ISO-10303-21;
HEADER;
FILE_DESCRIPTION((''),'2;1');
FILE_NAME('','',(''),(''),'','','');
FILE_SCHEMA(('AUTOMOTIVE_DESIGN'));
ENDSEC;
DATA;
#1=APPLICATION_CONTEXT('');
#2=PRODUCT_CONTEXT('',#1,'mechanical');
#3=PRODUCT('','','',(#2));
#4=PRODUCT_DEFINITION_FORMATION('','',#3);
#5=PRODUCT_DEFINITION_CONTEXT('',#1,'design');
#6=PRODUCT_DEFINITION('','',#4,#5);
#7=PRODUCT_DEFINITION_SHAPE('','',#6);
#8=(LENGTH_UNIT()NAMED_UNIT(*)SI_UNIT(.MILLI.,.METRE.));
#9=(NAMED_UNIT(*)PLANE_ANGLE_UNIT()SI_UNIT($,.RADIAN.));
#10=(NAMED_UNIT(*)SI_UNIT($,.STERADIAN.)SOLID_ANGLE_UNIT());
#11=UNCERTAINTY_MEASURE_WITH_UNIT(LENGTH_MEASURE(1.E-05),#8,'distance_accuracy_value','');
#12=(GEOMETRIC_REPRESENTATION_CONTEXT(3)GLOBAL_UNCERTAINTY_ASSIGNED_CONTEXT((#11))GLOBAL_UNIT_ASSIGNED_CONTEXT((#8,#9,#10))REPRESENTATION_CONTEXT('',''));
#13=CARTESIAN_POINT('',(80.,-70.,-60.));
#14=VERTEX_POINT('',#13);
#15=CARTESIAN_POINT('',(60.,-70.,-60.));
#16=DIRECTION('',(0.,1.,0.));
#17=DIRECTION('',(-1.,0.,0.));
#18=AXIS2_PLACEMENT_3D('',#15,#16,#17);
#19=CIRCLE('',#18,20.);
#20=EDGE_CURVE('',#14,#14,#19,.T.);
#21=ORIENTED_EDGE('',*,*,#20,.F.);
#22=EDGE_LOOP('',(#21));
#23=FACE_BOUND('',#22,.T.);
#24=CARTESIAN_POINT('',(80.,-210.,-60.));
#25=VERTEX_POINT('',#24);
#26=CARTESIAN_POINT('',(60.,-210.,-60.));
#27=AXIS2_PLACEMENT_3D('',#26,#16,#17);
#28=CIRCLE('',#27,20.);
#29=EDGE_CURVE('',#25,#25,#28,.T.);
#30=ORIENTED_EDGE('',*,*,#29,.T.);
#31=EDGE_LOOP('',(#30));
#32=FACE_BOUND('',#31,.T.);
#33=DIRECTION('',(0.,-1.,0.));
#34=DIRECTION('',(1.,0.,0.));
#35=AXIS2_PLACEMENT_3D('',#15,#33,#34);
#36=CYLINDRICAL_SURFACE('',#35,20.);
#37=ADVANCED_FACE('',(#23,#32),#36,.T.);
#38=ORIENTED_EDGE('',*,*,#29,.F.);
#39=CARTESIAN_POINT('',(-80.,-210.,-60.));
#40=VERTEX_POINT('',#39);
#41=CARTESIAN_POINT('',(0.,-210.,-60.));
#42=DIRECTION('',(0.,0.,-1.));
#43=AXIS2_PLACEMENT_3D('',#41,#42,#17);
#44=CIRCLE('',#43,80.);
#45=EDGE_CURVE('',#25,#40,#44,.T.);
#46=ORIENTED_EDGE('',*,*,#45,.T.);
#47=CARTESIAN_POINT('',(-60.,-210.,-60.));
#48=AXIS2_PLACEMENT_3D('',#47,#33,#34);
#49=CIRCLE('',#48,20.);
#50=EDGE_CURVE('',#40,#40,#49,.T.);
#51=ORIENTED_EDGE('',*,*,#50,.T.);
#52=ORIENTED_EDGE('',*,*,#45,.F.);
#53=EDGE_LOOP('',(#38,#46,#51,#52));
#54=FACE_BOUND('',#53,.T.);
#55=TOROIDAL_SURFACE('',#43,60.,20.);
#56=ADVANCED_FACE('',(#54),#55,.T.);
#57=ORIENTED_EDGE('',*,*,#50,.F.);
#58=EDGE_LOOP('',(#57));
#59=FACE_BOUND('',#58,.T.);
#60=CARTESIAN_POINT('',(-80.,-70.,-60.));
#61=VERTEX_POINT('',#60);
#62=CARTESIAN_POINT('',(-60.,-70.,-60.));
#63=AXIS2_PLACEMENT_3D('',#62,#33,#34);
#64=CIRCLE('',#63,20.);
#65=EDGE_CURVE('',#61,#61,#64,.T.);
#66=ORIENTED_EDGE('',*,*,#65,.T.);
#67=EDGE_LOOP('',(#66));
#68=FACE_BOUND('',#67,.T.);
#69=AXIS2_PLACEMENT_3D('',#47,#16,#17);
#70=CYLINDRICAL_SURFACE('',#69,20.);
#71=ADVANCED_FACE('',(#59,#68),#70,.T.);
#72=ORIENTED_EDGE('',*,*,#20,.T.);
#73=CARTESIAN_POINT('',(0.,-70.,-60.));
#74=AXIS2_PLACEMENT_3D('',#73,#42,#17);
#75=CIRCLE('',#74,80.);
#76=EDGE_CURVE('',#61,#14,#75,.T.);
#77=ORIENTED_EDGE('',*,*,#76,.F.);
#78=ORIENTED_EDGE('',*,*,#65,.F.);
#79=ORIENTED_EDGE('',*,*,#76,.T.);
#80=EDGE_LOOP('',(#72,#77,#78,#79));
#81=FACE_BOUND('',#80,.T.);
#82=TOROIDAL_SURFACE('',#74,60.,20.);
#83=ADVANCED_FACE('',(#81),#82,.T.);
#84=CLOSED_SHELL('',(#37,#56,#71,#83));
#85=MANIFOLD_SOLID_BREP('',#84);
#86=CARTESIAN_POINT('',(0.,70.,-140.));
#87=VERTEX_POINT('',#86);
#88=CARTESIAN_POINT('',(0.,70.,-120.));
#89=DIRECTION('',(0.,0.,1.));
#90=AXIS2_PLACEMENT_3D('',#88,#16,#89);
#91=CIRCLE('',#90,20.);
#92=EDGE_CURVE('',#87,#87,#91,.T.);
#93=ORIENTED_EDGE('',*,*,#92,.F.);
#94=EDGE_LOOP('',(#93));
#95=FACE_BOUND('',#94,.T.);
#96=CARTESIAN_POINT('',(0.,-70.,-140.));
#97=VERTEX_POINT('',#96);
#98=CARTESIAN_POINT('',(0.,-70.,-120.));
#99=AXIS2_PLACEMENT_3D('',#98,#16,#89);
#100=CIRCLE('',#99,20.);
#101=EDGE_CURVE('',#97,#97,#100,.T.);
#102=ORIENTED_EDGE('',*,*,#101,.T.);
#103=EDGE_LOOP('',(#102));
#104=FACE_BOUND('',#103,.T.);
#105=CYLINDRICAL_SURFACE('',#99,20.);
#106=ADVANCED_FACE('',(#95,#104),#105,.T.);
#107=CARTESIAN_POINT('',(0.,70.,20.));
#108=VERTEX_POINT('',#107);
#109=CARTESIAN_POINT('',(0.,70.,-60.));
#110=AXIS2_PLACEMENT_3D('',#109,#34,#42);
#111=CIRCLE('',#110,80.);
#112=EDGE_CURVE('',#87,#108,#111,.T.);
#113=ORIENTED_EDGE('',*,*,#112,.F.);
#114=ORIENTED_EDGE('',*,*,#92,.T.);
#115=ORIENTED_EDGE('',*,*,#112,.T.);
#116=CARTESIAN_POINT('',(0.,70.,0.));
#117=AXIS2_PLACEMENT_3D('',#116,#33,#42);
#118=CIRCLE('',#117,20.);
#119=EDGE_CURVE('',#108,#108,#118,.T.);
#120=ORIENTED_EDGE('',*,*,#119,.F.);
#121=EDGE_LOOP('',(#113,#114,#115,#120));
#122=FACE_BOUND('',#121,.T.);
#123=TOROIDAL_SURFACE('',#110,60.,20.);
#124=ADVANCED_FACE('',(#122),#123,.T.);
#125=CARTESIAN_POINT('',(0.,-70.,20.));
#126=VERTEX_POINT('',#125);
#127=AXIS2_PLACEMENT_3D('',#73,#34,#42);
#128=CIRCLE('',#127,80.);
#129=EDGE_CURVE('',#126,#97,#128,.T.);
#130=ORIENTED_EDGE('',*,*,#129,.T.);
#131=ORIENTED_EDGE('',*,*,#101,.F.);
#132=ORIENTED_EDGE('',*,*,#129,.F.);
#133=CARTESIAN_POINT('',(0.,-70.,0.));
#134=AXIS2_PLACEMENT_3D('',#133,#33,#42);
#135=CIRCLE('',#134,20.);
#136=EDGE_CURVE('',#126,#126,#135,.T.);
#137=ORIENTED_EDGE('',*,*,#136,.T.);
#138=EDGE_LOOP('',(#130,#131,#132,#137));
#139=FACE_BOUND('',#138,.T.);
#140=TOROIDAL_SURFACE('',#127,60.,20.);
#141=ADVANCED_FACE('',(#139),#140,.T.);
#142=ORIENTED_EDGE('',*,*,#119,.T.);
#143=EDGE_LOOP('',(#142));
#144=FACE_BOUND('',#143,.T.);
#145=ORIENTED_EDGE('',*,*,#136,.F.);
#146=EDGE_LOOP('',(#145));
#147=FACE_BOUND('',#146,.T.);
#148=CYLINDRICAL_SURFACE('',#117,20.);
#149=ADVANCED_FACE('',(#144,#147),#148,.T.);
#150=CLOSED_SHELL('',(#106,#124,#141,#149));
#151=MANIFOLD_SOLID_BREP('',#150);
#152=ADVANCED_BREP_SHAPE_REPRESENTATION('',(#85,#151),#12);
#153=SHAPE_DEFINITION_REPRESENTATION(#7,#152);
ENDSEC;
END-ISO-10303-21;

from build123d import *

# Parameters (mm, degrees)
SWEEP2_PROFILE_R = 20
SWEEP3_PROFILE_R = 20


with BuildPart() as part:
    # Sweep2: sweep along a path in Sketch2
    with BuildLine(Plane(origin=(0, 0, 0), x_dir=(0, 0, -1), z_dir=(1, 0, 0))) as sweep2_path:
        Line((0, 70), (0, -70))
        ThreePointArc((0, -70), (60, -130), (120, -70))
        Line((120, -70), (120, 70))
        ThreePointArc((120, 70), (60, 130), (0, 70))
    # Sweep2 profile (on start of the path) → Sweep2 (sweep)
    with BuildSketch(Plane(origin=(0, 70, 0), x_dir=(0, 0, -1), z_dir=(0, -1, 0))):
        Circle(SWEEP2_PROFILE_R)
    sweep(path=sweep2_path.line)


with BuildPart() as body_2:
    # Sweep3: sweep along a path in Sketch38
    with BuildLine(Plane.XY.offset(-60)) as sweep3_path:
        Line((60, -70), (60, -210))
        ThreePointArc((60, -210), (0, -270), (-60, -210))
        Line((-60, -210), (-60, -70))
        ThreePointArc((-60, -70), (0, -10), (60, -70))
    # Sweep3 profile (on start of the path) → Sweep3 (sweep)
    with BuildSketch(Plane(origin=(60, -70, -60), x_dir=(-1, 0, 0), z_dir=(0, -1, 0))):
        Circle(SWEEP3_PROFILE_R)
    sweep(path=sweep3_path.line)


solid = Compound([part.part, body_2.part])
